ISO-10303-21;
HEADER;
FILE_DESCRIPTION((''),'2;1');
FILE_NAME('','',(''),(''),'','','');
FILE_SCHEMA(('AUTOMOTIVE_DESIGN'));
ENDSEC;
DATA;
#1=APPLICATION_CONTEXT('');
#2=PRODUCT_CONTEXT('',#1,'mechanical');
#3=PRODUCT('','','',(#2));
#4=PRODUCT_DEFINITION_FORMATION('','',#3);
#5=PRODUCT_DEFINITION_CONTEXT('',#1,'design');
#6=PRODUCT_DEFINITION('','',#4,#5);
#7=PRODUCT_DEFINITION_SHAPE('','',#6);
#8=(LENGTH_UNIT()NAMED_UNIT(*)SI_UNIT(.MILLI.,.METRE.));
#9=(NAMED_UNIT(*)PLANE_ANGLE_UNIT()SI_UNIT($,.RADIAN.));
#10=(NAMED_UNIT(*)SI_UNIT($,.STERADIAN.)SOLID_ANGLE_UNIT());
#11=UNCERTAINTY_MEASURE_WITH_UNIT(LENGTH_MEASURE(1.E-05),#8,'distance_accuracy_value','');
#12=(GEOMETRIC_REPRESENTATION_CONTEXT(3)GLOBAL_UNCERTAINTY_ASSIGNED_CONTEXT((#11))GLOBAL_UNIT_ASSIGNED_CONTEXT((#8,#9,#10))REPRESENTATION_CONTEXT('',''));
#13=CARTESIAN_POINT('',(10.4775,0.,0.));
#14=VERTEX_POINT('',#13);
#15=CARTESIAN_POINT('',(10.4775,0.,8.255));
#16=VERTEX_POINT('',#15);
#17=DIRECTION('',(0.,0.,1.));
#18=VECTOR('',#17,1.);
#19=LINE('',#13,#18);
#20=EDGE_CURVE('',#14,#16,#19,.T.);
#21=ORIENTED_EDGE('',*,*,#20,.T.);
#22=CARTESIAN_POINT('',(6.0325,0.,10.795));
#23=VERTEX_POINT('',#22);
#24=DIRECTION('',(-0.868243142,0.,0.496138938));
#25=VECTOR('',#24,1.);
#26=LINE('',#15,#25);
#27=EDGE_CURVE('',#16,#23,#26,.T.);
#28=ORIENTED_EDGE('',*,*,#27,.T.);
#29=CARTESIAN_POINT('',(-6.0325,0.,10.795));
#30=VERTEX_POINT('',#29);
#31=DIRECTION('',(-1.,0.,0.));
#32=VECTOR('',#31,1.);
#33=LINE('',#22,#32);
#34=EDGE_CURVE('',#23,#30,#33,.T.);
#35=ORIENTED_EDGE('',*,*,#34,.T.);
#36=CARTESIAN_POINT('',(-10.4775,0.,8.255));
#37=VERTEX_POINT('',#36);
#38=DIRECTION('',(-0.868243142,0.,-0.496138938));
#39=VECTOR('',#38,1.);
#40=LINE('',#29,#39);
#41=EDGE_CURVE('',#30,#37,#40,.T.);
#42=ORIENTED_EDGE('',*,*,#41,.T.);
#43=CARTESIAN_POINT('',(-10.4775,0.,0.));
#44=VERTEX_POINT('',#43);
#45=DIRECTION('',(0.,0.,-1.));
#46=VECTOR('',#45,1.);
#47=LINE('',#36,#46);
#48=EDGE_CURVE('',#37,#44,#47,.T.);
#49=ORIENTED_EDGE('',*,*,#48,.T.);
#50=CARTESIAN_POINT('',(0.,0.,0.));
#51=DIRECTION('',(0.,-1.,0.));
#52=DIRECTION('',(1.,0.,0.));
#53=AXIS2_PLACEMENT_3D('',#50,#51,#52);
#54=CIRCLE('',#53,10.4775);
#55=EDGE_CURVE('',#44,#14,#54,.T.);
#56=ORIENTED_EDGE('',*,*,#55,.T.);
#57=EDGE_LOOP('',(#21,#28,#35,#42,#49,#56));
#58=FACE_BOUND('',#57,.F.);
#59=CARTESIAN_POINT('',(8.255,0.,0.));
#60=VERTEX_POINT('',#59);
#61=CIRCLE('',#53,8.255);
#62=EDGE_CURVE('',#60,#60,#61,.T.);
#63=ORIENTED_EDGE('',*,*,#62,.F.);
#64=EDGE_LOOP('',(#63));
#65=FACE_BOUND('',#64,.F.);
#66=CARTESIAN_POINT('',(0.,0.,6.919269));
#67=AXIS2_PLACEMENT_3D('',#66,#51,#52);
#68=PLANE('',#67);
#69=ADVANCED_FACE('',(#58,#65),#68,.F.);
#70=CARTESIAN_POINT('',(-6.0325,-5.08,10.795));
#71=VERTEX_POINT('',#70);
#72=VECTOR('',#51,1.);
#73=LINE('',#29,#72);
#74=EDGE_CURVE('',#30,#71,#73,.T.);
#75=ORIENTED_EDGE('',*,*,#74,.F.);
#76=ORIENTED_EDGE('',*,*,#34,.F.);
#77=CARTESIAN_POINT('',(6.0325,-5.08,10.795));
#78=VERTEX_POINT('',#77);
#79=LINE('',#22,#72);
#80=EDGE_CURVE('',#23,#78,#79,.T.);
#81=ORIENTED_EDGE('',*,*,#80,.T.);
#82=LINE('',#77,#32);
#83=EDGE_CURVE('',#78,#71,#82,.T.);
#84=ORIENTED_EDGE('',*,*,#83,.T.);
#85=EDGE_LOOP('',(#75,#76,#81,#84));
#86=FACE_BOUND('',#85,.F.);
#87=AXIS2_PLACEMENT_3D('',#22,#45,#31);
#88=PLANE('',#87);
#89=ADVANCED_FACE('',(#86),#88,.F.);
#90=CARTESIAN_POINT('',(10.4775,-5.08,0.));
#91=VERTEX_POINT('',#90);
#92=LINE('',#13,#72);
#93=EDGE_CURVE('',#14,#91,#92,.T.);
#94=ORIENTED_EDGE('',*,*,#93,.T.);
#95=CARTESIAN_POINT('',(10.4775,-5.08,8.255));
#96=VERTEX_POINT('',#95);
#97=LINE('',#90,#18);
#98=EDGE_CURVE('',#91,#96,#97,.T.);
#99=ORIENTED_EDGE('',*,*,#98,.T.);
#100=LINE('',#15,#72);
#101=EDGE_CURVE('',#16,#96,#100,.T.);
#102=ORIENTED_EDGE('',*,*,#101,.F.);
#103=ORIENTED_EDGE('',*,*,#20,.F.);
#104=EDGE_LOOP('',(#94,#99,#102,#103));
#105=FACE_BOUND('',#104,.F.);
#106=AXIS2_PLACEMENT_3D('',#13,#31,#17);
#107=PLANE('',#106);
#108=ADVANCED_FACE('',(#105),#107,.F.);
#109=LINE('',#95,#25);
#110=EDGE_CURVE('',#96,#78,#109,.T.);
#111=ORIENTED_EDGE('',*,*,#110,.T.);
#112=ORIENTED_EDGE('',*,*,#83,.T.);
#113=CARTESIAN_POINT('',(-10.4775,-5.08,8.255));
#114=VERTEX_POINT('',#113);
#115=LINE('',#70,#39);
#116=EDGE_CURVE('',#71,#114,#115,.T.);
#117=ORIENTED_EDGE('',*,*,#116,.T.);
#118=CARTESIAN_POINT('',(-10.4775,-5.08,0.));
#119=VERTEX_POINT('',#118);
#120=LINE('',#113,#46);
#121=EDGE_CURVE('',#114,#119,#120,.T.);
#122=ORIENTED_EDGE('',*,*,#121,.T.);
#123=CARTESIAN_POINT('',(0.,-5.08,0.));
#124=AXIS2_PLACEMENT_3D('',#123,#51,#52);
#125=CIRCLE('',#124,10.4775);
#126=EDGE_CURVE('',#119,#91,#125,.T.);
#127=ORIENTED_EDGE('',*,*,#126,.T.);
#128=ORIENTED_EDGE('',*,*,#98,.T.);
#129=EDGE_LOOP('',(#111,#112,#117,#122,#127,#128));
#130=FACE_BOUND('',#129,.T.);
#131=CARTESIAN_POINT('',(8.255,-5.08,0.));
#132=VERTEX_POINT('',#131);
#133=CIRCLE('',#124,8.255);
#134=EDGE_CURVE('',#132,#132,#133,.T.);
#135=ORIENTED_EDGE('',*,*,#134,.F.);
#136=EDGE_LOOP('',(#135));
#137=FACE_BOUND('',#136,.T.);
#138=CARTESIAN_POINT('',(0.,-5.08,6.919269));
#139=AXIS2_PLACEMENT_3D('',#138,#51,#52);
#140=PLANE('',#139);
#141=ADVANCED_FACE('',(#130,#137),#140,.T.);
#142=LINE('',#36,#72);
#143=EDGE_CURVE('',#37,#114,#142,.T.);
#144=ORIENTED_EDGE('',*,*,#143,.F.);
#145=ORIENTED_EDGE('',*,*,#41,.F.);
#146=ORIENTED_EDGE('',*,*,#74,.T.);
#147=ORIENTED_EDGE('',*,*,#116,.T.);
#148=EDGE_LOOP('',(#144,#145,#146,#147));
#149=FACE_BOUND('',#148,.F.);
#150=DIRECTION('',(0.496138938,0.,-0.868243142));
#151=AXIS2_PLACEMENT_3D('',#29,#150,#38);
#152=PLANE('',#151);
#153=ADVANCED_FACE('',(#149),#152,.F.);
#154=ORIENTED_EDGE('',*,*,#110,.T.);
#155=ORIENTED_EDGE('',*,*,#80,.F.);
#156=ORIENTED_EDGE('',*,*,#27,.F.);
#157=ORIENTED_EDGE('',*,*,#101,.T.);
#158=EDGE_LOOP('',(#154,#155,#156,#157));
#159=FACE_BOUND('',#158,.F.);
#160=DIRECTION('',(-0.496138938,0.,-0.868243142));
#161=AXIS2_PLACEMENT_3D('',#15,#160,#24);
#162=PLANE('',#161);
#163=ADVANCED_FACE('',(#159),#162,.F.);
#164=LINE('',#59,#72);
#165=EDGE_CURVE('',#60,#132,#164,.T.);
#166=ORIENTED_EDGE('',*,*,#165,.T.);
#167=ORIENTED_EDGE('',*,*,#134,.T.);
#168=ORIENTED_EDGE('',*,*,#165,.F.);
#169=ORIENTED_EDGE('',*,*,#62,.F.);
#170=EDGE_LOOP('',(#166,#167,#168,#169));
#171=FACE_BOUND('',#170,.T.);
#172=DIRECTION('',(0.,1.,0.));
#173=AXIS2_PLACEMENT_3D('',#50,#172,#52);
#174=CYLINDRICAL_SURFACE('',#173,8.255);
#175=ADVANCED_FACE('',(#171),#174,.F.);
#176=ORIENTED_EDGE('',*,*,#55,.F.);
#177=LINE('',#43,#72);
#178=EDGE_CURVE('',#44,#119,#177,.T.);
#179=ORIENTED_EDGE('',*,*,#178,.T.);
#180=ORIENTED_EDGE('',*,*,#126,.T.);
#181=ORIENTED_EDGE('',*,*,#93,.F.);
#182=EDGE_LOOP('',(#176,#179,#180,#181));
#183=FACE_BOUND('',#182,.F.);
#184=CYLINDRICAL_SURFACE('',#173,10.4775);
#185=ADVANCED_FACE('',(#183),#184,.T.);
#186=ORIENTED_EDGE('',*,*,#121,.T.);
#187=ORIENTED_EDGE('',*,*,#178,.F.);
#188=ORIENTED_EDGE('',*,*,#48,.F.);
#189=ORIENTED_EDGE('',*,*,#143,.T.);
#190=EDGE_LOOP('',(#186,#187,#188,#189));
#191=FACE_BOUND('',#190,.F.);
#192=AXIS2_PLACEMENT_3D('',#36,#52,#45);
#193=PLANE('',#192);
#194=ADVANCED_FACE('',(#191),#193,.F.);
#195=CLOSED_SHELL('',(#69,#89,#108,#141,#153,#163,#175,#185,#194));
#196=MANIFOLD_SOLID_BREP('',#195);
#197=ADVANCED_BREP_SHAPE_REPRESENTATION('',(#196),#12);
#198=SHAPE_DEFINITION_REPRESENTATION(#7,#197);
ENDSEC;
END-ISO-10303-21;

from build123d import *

# Parameters (mm, degrees)
F0_R     = 8.255
F1_DEPTH = 5.08


with BuildPart() as f1:
    # F0 (on Front) → F1 (new body)
    with BuildSketch(Plane.XZ):
        with BuildLine():
            ThreePointArc((-10.4775, 0), (0, 10.4775), (10.4775, 0))
            Line((10.4775, 0), (10.4775, 8.255))
            Line((10.4775, 8.255), (6.0325, 10.795))
            Line((6.0325, 10.795), (-6.0325, 10.795))
            Line((-6.0325, 10.795), (-10.4775, 8.255))
            Line((-10.4775, 8.255), (-10.4775, 0))
        make_face()
        with BuildLine():
            ThreePointArc((-10.4775, 0), (0, -10.4775), (10.4775, 0))
            ThreePointArc((10.4775, 0), (0, 10.4775), (-10.4775, 0))
        make_face()
        Circle(F0_R, mode=Mode.SUBTRACT)
    extrude(amount=F1_DEPTH)


solid = f1.part
